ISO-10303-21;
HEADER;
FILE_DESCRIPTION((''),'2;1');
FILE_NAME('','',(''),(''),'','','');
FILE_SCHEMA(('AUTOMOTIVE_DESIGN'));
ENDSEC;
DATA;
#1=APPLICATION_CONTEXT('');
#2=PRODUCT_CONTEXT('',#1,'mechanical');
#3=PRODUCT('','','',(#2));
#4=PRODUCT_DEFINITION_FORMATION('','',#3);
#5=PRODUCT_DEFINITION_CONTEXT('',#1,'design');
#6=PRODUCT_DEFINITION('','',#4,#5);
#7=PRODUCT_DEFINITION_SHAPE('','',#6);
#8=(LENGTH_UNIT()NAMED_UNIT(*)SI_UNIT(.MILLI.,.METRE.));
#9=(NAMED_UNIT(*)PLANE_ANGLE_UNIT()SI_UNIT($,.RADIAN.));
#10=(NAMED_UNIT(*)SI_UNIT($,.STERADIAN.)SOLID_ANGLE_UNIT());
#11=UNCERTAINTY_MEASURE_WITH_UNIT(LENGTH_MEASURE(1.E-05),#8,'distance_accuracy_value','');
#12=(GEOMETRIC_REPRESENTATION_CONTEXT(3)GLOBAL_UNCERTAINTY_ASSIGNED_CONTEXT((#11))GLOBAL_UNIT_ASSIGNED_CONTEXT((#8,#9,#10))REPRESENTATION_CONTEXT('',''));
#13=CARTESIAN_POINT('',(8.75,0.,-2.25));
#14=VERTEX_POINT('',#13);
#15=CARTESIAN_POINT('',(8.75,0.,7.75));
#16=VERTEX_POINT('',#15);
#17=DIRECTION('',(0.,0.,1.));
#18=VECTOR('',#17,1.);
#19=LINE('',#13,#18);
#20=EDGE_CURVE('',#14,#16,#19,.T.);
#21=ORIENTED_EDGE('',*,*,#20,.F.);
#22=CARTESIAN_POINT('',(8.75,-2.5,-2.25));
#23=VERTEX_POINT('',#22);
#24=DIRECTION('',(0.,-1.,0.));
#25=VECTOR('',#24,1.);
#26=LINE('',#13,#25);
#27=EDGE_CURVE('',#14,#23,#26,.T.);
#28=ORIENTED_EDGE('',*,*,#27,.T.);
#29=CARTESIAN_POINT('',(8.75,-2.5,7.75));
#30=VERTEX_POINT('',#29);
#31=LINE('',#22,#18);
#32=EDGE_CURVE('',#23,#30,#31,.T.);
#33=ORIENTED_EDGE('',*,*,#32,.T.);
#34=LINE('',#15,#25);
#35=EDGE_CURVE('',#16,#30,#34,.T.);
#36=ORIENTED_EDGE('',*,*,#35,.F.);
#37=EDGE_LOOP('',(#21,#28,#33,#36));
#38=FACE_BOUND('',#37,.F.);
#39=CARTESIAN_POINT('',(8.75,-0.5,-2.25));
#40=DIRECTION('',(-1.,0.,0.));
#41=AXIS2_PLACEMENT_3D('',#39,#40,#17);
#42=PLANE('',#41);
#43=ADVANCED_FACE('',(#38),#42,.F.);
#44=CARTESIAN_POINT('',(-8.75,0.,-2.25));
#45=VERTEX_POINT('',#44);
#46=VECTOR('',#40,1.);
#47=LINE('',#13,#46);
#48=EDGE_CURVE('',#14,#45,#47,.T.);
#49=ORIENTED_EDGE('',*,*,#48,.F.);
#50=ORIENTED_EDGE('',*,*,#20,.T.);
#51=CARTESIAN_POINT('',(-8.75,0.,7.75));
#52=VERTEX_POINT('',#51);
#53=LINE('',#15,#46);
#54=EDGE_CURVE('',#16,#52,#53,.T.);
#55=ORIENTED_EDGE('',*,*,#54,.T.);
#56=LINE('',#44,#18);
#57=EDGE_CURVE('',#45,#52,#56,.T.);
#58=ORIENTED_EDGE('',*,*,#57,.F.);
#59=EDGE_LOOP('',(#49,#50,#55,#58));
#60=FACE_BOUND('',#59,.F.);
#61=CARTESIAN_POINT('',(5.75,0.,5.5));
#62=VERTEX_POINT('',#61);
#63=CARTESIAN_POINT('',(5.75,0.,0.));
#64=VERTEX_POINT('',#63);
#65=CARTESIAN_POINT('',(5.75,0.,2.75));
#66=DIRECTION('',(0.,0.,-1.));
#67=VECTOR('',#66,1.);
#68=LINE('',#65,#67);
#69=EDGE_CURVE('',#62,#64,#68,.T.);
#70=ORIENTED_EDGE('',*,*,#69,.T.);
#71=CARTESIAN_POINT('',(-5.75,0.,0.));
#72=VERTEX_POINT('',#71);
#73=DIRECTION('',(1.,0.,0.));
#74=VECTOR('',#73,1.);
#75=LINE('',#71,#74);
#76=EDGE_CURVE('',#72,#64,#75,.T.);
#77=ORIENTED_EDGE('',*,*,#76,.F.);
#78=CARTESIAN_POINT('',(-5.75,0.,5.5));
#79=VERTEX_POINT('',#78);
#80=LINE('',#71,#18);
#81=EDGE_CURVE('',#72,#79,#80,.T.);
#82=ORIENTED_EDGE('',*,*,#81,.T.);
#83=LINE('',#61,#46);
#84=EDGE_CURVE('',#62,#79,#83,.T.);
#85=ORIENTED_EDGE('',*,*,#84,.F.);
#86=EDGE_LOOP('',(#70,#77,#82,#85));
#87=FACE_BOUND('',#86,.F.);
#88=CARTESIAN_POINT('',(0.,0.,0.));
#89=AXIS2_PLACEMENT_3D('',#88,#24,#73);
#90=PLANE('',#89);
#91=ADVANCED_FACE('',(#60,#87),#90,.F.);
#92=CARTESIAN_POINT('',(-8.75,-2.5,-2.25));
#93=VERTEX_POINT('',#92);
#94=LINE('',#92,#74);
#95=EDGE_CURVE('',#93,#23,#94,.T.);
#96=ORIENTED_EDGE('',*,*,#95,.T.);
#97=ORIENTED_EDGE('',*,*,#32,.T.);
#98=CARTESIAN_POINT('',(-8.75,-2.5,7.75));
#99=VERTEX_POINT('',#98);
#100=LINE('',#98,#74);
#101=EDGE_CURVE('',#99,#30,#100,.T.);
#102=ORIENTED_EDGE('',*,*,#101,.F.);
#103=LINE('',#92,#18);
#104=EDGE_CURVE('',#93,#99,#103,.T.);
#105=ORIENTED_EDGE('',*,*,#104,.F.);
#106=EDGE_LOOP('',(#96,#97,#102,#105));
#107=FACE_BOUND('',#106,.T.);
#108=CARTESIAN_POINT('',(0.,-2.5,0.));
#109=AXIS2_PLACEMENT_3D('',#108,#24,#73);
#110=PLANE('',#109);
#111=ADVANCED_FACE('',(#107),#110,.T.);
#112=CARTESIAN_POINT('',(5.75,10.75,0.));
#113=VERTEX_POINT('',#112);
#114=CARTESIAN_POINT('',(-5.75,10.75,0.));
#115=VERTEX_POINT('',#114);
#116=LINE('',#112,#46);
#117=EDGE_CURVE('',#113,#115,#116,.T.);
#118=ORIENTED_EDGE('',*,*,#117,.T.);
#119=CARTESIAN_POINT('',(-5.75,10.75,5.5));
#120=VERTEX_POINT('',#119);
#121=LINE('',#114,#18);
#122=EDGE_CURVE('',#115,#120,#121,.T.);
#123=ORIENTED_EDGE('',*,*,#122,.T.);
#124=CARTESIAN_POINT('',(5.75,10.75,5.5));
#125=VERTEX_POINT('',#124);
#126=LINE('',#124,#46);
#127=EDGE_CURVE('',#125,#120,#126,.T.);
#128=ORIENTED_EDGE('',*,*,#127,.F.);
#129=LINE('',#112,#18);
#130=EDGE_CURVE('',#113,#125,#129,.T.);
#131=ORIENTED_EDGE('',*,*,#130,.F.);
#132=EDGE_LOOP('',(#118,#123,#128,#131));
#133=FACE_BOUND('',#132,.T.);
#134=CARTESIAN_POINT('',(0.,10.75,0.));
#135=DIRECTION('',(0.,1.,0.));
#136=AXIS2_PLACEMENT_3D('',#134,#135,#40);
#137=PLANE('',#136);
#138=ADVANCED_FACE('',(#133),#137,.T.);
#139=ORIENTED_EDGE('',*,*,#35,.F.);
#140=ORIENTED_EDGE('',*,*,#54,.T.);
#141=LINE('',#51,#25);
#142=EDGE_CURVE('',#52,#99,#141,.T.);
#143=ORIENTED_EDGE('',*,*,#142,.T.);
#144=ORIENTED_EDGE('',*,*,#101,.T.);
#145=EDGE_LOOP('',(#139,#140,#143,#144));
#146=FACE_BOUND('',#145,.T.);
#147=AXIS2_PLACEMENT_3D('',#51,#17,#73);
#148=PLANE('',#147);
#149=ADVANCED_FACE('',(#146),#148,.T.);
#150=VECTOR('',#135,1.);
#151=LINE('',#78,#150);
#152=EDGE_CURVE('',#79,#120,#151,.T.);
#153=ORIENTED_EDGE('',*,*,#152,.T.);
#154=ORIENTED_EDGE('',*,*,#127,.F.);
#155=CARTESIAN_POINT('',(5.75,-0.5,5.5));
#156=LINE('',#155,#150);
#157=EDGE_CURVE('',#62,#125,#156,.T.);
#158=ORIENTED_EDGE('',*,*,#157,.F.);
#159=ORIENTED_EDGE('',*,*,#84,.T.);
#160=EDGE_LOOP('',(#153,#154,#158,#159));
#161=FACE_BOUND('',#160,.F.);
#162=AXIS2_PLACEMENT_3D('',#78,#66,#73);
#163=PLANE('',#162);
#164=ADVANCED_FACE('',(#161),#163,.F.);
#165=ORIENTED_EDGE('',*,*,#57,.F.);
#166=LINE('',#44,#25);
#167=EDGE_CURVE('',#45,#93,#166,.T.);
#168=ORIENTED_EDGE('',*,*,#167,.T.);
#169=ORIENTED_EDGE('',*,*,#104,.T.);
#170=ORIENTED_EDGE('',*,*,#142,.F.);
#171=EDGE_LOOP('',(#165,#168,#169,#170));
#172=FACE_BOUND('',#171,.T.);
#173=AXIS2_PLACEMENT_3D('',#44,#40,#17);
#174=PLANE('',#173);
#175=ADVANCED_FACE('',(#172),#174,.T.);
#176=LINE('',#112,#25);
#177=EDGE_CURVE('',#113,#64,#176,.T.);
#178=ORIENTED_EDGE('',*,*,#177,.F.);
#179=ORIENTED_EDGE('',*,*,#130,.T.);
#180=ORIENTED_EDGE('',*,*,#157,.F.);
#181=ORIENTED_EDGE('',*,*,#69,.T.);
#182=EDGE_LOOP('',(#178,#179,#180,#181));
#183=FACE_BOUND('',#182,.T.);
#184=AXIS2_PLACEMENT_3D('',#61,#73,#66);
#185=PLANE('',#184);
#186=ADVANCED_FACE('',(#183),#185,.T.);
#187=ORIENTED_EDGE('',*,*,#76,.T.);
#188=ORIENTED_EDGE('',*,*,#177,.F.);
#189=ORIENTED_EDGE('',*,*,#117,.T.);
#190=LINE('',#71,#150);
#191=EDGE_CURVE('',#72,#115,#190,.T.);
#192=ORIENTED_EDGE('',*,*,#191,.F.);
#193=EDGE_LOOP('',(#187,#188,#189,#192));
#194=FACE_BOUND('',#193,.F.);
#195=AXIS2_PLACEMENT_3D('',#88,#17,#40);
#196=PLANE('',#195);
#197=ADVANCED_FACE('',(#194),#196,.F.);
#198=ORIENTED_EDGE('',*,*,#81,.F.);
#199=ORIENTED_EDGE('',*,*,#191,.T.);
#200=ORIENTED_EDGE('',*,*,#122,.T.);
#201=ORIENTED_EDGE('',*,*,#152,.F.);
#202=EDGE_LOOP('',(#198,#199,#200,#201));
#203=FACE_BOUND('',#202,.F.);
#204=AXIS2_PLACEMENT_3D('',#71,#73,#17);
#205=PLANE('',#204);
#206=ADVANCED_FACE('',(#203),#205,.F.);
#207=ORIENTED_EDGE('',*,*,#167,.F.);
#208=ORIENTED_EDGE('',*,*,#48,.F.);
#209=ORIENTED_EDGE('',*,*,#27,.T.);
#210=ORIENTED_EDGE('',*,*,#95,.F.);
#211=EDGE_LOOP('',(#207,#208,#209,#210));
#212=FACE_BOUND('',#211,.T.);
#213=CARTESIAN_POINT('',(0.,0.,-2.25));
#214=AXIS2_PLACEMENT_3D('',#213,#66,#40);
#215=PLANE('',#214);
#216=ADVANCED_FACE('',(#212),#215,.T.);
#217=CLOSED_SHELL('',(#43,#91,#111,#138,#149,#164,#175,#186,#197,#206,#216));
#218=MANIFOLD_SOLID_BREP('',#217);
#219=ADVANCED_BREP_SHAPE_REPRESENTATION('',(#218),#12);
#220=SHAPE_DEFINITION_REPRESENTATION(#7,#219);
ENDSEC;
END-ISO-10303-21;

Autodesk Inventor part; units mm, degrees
ref_plane "YZ Plane" through (0, 0, 0) normal (1, 0, 0) x (0, 1, 0)
ref_plane "XZ Plane" through (0, 0, 0) normal (0, 1, 0) x (-1, 0, 0)
ref_plane "XY Plane" through (0, 0, 0) normal (0, 0, 1) x (1, 0, 0)
sketch "Sketch1" plane through (0, 0, 0) normal (0, 1, 0) x (-1, 0, 0)
  line L0 (0, 0) -> (5.75, 0)
  line L1 (5.75, 0) -> (5.75, 5.5)
  line L2 (5.75, 5.5) -> (0, 5.5)
  line L3 (0, 5.5) -> (0, 0)
  point P0 (0, 0)
  dimension "d0" = 5.75
  dimension "d1" = 5.5
  dimension "d2" = 0
  dimension "d3" = 0
extrude "Extrusion1" add sketch "Sketch1" along normal blind 10.75
sketch "Sketch2" plane through (0, 0, 5.5) normal (1, 0, 0) x (0, 0, -1)
  line L0 (5.5, 10.75) -> (0, 10.75) projected
  line L1 (0, 10.75) -> (5.5, 10.75)
  line L2 (5.5, 10.75) -> (5.5, -0.5)
  line L3 (5.5, -0.5) -> (0, -0.5)
  line L4 (0, -0.5) -> (0, 10.75)
  point P0 (5.5, 0)
  dimension "d6" = 11.25
  dimension "d7" = 5.5
extrude "Extrusion2" add sketch "Sketch2" along normal blind 5.75
sketch "Sketch3" plane through (0, -0.5, 0) normal (0, -1, 0) x (1, 0, 0)
  line L0 (0, -2.25) -> (8.75, -2.25)
  line L1 (8.75, -2.25) -> (8.75, 7.75)
  line L2 (8.75, 7.75) -> (0, 7.75)
  line L3 (0, 7.75) -> (0, -2.25)
  line L4 (0, 5.5) -> (0, 0) projected
  line L5 (0, 5.5) -> (5.75, 5.5) projected
  dimension "d10" = 10
  dimension "d11" = 8.75
  dimension "d12" = 0
  dimension "d13" = 2.25
extrude "Extrusion3" add sketch "Sketch3" along normal blind 2 and the other way blind 0.5
sketch "Sketch4" plane through (0, 0, 0) normal (0, -1, 0) x (1, 0, 0)
  line L0 (-8.75, 7.75) -> (0, 7.75)
  line L1 (0, 7.75) -> (0, -2.25)
  line L2 (0, -2.25) -> (-8.75, -2.25)
  line L3 (-8.75, -2.25) -> (-8.75, 7.75)
  line L4 (0, 5.5) -> (0, 0) projected
  line L5 (0, 0) -> (-5.75, 0) projected
  dimension "d16" = 10
  dimension "d17" = 8.75
  dimension "d18" = 0
  dimension "d19" = 2.25
extrude "Extrusion4" add sketch "Sketch4" along normal blind 2.5
properties part number "Black_Keyboard_Button_Prong"
